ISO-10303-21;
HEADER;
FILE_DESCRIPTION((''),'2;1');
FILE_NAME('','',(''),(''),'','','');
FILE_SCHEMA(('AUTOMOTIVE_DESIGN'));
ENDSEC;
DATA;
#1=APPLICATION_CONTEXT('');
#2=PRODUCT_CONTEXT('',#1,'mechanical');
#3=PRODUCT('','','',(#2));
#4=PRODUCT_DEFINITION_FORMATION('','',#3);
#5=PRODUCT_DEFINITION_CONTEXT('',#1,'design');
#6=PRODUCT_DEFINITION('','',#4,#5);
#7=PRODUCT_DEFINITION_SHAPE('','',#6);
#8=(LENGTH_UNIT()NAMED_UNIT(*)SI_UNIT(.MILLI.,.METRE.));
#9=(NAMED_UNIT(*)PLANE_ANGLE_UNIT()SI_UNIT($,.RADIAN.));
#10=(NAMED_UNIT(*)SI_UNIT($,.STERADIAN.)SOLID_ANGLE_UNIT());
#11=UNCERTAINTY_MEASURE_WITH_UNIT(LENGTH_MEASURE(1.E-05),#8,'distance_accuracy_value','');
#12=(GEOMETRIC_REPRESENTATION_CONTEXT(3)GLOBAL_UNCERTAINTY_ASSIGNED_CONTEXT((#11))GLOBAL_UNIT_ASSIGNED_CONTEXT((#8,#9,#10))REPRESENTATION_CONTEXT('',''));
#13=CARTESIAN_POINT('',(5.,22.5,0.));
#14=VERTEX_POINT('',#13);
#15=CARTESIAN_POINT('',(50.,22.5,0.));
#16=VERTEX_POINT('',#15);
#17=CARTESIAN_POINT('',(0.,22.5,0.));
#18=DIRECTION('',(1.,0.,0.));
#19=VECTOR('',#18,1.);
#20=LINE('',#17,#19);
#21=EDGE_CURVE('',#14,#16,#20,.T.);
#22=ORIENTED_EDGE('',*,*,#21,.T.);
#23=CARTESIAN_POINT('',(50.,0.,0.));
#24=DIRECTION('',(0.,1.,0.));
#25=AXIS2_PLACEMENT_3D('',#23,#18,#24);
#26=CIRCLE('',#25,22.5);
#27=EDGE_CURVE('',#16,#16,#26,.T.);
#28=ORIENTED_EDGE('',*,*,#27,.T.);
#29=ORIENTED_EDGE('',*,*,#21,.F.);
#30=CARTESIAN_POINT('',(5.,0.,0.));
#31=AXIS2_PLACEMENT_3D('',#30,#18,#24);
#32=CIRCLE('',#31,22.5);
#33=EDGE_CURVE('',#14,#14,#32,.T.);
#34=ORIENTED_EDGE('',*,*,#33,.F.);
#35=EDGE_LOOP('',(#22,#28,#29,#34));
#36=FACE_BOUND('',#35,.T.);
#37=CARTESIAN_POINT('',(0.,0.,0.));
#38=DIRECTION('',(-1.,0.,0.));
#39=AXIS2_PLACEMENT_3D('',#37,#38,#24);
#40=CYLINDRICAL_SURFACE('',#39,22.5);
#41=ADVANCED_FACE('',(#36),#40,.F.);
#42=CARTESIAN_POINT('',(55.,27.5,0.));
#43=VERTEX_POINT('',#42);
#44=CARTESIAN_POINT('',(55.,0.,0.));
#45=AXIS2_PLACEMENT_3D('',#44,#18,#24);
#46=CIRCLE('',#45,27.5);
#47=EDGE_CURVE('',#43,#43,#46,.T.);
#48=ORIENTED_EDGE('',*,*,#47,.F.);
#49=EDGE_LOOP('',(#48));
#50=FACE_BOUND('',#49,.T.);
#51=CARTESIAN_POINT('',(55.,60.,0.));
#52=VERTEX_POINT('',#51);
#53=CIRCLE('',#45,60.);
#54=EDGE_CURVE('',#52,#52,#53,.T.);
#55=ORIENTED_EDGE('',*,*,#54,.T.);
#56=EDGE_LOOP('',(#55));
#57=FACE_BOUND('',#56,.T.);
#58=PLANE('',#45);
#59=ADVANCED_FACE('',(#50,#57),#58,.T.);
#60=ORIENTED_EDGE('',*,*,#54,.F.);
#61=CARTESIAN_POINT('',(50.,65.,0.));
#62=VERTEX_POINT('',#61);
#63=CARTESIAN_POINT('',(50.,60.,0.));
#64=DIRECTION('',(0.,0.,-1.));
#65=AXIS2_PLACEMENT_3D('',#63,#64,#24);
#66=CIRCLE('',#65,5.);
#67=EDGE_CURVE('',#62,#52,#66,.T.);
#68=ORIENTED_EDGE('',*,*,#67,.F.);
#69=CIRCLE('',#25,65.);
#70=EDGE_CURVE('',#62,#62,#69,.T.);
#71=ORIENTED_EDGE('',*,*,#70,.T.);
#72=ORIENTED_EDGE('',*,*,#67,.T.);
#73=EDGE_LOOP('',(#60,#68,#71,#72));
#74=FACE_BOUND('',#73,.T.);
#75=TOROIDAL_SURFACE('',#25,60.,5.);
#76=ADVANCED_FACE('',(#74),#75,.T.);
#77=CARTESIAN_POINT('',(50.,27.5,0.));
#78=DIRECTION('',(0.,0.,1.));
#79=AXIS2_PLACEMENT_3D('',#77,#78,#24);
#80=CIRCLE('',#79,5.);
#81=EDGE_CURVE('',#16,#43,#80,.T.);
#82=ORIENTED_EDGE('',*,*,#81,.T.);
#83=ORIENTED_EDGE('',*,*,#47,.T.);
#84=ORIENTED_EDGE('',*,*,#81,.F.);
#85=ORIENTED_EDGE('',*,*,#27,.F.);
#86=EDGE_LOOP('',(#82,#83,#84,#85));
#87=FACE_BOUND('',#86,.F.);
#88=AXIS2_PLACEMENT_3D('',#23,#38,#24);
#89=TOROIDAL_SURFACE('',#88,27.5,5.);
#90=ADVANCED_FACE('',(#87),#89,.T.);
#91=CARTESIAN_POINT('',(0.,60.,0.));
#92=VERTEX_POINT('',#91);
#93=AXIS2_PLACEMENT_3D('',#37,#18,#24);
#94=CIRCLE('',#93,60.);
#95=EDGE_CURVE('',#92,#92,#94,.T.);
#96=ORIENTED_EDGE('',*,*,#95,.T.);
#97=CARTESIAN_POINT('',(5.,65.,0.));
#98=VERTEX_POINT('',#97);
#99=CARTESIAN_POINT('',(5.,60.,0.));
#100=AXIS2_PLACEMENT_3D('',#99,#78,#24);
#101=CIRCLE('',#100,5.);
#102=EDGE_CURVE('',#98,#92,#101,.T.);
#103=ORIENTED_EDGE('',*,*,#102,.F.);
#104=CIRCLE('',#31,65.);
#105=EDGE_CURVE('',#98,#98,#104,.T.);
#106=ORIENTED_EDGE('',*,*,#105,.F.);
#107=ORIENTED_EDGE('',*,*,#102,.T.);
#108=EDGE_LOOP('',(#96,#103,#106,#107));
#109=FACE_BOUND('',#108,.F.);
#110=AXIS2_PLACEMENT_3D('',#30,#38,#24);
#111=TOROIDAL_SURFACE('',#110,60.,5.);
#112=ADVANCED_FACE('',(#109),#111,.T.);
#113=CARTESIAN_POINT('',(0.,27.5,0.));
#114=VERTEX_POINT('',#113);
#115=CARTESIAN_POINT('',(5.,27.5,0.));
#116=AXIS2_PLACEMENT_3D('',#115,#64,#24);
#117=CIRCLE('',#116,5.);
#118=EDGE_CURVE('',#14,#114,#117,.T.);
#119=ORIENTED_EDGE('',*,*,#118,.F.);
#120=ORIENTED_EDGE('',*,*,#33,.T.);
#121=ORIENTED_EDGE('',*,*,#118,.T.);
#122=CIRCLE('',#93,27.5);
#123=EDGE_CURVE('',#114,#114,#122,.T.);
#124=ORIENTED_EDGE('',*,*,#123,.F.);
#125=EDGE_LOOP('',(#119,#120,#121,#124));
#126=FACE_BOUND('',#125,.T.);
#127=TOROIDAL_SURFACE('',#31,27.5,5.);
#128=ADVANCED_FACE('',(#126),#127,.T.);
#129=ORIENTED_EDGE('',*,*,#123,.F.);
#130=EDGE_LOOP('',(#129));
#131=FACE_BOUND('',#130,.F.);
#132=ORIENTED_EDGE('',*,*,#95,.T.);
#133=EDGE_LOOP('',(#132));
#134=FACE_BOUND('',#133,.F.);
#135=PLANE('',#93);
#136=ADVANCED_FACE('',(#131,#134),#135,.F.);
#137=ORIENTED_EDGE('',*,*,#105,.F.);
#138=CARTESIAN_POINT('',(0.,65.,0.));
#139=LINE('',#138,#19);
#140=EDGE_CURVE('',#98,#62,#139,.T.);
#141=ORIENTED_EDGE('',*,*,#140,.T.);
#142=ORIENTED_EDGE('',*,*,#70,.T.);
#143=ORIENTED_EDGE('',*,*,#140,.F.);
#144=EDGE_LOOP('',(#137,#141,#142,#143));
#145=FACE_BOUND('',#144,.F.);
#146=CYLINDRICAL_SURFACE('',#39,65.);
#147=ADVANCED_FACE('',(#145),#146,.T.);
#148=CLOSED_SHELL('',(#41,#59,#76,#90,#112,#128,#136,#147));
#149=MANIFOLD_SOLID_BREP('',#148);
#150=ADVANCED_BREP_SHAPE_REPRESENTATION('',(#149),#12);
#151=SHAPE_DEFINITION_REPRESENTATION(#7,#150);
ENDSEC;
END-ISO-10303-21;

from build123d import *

# Parameters (mm, degrees)
F0_R     = 65
F0_R_2   = 22.5
F1_DEPTH = 55
F2_R     = 5


with BuildPart() as f1:
    # F0 (on Right) → F1 (new body)
    with BuildSketch(Plane.YZ):
        Circle(F0_R)
        Circle(F0_R_2, mode=Mode.SUBTRACT)
    extrude(amount=F1_DEPTH)

    # F2
    f2_edges = [f1.edges().sort_by_distance(p)[0] for p in [
        (27.5, 65, 0),
        (0, -65, 0),
        (55, -65, 0),
        (27.5, 22.5, 0),
        (0, -22.5, 0),
        (55, -22.5, 0),
    ]]
    fillet(f2_edges, radius=F2_R)


solid = f1.part
